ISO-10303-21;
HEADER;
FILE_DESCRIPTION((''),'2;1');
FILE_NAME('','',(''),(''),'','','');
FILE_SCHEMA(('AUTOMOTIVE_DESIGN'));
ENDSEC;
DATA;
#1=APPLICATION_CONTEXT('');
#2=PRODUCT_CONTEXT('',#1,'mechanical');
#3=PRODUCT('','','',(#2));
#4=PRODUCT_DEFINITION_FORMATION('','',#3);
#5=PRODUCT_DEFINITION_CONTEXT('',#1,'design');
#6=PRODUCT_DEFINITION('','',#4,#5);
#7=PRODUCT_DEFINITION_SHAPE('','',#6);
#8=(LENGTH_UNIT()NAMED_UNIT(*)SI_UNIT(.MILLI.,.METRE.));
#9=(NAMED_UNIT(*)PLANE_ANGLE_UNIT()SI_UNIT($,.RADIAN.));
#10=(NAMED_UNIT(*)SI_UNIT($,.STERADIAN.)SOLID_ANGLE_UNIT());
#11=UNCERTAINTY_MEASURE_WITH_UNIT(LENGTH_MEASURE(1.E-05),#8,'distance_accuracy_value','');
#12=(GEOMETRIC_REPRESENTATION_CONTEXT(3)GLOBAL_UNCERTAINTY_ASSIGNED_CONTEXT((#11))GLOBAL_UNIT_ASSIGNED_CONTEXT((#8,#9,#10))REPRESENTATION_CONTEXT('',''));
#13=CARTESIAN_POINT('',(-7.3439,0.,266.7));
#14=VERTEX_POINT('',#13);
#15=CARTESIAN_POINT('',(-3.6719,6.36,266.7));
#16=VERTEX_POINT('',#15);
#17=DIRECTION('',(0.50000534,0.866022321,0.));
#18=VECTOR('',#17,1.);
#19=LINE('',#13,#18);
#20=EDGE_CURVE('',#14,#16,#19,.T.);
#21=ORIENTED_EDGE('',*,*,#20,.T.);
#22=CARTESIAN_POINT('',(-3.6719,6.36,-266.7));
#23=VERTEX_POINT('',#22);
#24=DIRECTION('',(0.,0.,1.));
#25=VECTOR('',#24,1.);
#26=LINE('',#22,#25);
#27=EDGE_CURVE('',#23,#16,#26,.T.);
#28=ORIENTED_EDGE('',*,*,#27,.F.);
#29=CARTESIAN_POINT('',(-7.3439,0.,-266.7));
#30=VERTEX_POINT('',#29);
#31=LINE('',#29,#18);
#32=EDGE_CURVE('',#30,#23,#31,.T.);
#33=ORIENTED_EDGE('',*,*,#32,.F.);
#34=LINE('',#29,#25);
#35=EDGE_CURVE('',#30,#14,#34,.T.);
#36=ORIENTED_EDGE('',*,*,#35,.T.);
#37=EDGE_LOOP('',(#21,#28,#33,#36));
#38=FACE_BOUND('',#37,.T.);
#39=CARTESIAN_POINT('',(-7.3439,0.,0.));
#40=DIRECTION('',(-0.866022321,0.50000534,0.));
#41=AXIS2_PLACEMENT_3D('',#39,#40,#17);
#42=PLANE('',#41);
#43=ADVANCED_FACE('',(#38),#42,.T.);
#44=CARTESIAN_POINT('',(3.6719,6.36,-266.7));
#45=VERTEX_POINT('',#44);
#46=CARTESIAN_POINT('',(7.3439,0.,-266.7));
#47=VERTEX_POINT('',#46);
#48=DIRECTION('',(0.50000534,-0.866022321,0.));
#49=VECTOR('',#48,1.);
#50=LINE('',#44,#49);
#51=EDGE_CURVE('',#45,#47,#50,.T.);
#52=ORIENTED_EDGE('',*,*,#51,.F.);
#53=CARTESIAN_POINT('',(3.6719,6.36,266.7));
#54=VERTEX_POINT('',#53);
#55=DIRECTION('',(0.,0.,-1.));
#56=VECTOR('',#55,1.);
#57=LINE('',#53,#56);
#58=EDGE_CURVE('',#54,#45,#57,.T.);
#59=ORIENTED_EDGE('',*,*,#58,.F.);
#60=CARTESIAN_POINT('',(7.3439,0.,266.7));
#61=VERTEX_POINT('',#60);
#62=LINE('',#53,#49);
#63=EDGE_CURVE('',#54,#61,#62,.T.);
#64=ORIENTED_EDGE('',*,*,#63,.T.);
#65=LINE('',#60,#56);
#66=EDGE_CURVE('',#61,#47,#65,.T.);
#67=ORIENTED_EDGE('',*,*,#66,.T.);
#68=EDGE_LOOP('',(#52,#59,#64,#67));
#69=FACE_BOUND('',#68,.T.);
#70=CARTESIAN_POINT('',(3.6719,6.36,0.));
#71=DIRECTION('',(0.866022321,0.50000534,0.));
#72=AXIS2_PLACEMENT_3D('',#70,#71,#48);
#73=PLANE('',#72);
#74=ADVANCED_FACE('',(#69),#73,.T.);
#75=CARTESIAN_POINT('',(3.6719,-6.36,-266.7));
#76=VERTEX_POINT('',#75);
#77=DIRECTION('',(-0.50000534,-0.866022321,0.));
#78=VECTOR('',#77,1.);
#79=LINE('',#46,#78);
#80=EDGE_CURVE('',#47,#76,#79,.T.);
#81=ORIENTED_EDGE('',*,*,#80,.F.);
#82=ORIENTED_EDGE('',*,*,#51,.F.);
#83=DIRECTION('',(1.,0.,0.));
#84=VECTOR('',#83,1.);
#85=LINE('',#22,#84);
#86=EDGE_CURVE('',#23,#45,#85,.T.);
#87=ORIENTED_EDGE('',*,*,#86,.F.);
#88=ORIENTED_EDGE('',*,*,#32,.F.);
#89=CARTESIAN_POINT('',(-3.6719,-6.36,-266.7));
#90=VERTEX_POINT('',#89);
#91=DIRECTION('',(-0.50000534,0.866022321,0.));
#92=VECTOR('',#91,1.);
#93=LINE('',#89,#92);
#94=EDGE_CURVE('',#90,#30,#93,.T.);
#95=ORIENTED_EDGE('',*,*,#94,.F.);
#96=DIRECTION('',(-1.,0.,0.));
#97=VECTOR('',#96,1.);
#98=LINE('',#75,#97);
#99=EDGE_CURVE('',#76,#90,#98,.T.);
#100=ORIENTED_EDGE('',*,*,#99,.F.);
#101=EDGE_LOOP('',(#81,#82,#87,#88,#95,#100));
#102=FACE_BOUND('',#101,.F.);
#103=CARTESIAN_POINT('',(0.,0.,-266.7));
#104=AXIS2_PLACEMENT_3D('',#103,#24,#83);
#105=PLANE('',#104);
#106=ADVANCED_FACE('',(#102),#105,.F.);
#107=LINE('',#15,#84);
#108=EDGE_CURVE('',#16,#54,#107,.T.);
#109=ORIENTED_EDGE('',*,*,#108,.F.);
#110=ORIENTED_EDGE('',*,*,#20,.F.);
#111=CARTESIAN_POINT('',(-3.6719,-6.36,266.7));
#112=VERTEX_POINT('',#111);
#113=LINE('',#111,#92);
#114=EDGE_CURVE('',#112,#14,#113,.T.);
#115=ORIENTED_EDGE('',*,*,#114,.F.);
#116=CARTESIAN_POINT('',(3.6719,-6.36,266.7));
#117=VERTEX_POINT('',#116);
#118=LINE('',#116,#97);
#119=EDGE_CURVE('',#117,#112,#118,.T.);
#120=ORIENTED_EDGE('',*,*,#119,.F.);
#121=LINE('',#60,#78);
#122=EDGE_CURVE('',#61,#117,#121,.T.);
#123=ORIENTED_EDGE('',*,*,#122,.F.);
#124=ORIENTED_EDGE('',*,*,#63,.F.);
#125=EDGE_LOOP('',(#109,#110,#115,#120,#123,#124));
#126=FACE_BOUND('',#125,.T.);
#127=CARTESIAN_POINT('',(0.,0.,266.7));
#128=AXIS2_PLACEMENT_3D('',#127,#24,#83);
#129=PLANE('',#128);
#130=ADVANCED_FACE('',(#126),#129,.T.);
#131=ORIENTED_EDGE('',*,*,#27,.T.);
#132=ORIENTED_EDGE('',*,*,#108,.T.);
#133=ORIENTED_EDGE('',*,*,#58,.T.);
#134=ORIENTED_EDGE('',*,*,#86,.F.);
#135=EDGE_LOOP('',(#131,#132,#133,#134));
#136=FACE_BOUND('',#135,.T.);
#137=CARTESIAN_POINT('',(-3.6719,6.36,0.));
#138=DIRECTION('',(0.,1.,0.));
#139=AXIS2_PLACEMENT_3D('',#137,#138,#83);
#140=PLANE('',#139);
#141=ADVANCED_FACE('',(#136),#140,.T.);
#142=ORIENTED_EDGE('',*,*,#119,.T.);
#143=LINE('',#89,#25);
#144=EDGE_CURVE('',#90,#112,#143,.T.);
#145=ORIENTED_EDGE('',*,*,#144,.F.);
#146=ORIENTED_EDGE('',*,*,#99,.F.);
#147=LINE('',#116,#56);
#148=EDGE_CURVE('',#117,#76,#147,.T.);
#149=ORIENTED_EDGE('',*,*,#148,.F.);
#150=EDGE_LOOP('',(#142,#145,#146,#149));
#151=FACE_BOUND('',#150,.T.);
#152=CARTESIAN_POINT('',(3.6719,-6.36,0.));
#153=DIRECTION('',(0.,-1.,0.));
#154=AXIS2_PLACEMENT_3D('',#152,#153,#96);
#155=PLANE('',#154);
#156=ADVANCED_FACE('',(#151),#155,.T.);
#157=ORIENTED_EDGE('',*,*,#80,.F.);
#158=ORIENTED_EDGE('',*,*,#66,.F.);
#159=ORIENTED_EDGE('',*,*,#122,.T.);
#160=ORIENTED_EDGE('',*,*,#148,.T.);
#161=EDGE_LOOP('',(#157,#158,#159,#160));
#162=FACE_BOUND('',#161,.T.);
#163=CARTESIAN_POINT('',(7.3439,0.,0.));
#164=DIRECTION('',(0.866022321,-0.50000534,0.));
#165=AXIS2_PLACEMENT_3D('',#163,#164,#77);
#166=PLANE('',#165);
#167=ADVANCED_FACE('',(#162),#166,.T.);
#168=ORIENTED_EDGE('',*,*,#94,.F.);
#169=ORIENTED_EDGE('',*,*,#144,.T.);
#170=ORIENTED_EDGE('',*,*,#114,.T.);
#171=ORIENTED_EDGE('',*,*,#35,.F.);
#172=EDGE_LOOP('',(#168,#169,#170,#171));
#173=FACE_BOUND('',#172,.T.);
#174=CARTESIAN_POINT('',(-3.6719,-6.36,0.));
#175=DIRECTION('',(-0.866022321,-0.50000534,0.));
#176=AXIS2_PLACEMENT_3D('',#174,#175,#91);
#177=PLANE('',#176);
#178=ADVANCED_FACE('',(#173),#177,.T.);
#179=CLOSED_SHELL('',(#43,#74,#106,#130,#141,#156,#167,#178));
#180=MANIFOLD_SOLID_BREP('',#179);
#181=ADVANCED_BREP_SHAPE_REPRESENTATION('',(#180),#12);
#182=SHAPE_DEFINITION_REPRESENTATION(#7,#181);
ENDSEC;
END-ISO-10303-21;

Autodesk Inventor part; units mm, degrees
ref_plane "YZ Plane" through (0, 0, 0) normal (1, 0, 0) x (0, 1, 0)
ref_plane "XZ Plane" through (0, 0, 0) normal (0, 1, 0) x (-1, 0, 0)
ref_plane "XY Plane" through (0, 0, 0) normal (0, 0, 1) x (1, 0, 0)
sketch "Sketch1" plane through (0, 0, 0) normal (0, 0, 1) x (1, 0, 0)
  line L0 (-3.6719, 6.36) -> (3.6719, 6.36)
  line L1 (3.6719, 6.36) -> (7.3439, 0)
  line L2 (7.3439, 0) -> (3.6719, -6.36)
  line L3 (3.6719, -6.36) -> (-3.6719, -6.36)
  line L4 (-3.6719, -6.36) -> (-7.3439, 0)
  line L5 (-7.3439, 0) -> (-3.6719, 6.36)
  point P0 (0, 0)
  point P1 (0, 0)
  dimension "d0" = 7.3439
extrude "Extrusion1" add sketch "Sketch1" along normal mid plane 533.4
properties part number "Hex_shaft"
